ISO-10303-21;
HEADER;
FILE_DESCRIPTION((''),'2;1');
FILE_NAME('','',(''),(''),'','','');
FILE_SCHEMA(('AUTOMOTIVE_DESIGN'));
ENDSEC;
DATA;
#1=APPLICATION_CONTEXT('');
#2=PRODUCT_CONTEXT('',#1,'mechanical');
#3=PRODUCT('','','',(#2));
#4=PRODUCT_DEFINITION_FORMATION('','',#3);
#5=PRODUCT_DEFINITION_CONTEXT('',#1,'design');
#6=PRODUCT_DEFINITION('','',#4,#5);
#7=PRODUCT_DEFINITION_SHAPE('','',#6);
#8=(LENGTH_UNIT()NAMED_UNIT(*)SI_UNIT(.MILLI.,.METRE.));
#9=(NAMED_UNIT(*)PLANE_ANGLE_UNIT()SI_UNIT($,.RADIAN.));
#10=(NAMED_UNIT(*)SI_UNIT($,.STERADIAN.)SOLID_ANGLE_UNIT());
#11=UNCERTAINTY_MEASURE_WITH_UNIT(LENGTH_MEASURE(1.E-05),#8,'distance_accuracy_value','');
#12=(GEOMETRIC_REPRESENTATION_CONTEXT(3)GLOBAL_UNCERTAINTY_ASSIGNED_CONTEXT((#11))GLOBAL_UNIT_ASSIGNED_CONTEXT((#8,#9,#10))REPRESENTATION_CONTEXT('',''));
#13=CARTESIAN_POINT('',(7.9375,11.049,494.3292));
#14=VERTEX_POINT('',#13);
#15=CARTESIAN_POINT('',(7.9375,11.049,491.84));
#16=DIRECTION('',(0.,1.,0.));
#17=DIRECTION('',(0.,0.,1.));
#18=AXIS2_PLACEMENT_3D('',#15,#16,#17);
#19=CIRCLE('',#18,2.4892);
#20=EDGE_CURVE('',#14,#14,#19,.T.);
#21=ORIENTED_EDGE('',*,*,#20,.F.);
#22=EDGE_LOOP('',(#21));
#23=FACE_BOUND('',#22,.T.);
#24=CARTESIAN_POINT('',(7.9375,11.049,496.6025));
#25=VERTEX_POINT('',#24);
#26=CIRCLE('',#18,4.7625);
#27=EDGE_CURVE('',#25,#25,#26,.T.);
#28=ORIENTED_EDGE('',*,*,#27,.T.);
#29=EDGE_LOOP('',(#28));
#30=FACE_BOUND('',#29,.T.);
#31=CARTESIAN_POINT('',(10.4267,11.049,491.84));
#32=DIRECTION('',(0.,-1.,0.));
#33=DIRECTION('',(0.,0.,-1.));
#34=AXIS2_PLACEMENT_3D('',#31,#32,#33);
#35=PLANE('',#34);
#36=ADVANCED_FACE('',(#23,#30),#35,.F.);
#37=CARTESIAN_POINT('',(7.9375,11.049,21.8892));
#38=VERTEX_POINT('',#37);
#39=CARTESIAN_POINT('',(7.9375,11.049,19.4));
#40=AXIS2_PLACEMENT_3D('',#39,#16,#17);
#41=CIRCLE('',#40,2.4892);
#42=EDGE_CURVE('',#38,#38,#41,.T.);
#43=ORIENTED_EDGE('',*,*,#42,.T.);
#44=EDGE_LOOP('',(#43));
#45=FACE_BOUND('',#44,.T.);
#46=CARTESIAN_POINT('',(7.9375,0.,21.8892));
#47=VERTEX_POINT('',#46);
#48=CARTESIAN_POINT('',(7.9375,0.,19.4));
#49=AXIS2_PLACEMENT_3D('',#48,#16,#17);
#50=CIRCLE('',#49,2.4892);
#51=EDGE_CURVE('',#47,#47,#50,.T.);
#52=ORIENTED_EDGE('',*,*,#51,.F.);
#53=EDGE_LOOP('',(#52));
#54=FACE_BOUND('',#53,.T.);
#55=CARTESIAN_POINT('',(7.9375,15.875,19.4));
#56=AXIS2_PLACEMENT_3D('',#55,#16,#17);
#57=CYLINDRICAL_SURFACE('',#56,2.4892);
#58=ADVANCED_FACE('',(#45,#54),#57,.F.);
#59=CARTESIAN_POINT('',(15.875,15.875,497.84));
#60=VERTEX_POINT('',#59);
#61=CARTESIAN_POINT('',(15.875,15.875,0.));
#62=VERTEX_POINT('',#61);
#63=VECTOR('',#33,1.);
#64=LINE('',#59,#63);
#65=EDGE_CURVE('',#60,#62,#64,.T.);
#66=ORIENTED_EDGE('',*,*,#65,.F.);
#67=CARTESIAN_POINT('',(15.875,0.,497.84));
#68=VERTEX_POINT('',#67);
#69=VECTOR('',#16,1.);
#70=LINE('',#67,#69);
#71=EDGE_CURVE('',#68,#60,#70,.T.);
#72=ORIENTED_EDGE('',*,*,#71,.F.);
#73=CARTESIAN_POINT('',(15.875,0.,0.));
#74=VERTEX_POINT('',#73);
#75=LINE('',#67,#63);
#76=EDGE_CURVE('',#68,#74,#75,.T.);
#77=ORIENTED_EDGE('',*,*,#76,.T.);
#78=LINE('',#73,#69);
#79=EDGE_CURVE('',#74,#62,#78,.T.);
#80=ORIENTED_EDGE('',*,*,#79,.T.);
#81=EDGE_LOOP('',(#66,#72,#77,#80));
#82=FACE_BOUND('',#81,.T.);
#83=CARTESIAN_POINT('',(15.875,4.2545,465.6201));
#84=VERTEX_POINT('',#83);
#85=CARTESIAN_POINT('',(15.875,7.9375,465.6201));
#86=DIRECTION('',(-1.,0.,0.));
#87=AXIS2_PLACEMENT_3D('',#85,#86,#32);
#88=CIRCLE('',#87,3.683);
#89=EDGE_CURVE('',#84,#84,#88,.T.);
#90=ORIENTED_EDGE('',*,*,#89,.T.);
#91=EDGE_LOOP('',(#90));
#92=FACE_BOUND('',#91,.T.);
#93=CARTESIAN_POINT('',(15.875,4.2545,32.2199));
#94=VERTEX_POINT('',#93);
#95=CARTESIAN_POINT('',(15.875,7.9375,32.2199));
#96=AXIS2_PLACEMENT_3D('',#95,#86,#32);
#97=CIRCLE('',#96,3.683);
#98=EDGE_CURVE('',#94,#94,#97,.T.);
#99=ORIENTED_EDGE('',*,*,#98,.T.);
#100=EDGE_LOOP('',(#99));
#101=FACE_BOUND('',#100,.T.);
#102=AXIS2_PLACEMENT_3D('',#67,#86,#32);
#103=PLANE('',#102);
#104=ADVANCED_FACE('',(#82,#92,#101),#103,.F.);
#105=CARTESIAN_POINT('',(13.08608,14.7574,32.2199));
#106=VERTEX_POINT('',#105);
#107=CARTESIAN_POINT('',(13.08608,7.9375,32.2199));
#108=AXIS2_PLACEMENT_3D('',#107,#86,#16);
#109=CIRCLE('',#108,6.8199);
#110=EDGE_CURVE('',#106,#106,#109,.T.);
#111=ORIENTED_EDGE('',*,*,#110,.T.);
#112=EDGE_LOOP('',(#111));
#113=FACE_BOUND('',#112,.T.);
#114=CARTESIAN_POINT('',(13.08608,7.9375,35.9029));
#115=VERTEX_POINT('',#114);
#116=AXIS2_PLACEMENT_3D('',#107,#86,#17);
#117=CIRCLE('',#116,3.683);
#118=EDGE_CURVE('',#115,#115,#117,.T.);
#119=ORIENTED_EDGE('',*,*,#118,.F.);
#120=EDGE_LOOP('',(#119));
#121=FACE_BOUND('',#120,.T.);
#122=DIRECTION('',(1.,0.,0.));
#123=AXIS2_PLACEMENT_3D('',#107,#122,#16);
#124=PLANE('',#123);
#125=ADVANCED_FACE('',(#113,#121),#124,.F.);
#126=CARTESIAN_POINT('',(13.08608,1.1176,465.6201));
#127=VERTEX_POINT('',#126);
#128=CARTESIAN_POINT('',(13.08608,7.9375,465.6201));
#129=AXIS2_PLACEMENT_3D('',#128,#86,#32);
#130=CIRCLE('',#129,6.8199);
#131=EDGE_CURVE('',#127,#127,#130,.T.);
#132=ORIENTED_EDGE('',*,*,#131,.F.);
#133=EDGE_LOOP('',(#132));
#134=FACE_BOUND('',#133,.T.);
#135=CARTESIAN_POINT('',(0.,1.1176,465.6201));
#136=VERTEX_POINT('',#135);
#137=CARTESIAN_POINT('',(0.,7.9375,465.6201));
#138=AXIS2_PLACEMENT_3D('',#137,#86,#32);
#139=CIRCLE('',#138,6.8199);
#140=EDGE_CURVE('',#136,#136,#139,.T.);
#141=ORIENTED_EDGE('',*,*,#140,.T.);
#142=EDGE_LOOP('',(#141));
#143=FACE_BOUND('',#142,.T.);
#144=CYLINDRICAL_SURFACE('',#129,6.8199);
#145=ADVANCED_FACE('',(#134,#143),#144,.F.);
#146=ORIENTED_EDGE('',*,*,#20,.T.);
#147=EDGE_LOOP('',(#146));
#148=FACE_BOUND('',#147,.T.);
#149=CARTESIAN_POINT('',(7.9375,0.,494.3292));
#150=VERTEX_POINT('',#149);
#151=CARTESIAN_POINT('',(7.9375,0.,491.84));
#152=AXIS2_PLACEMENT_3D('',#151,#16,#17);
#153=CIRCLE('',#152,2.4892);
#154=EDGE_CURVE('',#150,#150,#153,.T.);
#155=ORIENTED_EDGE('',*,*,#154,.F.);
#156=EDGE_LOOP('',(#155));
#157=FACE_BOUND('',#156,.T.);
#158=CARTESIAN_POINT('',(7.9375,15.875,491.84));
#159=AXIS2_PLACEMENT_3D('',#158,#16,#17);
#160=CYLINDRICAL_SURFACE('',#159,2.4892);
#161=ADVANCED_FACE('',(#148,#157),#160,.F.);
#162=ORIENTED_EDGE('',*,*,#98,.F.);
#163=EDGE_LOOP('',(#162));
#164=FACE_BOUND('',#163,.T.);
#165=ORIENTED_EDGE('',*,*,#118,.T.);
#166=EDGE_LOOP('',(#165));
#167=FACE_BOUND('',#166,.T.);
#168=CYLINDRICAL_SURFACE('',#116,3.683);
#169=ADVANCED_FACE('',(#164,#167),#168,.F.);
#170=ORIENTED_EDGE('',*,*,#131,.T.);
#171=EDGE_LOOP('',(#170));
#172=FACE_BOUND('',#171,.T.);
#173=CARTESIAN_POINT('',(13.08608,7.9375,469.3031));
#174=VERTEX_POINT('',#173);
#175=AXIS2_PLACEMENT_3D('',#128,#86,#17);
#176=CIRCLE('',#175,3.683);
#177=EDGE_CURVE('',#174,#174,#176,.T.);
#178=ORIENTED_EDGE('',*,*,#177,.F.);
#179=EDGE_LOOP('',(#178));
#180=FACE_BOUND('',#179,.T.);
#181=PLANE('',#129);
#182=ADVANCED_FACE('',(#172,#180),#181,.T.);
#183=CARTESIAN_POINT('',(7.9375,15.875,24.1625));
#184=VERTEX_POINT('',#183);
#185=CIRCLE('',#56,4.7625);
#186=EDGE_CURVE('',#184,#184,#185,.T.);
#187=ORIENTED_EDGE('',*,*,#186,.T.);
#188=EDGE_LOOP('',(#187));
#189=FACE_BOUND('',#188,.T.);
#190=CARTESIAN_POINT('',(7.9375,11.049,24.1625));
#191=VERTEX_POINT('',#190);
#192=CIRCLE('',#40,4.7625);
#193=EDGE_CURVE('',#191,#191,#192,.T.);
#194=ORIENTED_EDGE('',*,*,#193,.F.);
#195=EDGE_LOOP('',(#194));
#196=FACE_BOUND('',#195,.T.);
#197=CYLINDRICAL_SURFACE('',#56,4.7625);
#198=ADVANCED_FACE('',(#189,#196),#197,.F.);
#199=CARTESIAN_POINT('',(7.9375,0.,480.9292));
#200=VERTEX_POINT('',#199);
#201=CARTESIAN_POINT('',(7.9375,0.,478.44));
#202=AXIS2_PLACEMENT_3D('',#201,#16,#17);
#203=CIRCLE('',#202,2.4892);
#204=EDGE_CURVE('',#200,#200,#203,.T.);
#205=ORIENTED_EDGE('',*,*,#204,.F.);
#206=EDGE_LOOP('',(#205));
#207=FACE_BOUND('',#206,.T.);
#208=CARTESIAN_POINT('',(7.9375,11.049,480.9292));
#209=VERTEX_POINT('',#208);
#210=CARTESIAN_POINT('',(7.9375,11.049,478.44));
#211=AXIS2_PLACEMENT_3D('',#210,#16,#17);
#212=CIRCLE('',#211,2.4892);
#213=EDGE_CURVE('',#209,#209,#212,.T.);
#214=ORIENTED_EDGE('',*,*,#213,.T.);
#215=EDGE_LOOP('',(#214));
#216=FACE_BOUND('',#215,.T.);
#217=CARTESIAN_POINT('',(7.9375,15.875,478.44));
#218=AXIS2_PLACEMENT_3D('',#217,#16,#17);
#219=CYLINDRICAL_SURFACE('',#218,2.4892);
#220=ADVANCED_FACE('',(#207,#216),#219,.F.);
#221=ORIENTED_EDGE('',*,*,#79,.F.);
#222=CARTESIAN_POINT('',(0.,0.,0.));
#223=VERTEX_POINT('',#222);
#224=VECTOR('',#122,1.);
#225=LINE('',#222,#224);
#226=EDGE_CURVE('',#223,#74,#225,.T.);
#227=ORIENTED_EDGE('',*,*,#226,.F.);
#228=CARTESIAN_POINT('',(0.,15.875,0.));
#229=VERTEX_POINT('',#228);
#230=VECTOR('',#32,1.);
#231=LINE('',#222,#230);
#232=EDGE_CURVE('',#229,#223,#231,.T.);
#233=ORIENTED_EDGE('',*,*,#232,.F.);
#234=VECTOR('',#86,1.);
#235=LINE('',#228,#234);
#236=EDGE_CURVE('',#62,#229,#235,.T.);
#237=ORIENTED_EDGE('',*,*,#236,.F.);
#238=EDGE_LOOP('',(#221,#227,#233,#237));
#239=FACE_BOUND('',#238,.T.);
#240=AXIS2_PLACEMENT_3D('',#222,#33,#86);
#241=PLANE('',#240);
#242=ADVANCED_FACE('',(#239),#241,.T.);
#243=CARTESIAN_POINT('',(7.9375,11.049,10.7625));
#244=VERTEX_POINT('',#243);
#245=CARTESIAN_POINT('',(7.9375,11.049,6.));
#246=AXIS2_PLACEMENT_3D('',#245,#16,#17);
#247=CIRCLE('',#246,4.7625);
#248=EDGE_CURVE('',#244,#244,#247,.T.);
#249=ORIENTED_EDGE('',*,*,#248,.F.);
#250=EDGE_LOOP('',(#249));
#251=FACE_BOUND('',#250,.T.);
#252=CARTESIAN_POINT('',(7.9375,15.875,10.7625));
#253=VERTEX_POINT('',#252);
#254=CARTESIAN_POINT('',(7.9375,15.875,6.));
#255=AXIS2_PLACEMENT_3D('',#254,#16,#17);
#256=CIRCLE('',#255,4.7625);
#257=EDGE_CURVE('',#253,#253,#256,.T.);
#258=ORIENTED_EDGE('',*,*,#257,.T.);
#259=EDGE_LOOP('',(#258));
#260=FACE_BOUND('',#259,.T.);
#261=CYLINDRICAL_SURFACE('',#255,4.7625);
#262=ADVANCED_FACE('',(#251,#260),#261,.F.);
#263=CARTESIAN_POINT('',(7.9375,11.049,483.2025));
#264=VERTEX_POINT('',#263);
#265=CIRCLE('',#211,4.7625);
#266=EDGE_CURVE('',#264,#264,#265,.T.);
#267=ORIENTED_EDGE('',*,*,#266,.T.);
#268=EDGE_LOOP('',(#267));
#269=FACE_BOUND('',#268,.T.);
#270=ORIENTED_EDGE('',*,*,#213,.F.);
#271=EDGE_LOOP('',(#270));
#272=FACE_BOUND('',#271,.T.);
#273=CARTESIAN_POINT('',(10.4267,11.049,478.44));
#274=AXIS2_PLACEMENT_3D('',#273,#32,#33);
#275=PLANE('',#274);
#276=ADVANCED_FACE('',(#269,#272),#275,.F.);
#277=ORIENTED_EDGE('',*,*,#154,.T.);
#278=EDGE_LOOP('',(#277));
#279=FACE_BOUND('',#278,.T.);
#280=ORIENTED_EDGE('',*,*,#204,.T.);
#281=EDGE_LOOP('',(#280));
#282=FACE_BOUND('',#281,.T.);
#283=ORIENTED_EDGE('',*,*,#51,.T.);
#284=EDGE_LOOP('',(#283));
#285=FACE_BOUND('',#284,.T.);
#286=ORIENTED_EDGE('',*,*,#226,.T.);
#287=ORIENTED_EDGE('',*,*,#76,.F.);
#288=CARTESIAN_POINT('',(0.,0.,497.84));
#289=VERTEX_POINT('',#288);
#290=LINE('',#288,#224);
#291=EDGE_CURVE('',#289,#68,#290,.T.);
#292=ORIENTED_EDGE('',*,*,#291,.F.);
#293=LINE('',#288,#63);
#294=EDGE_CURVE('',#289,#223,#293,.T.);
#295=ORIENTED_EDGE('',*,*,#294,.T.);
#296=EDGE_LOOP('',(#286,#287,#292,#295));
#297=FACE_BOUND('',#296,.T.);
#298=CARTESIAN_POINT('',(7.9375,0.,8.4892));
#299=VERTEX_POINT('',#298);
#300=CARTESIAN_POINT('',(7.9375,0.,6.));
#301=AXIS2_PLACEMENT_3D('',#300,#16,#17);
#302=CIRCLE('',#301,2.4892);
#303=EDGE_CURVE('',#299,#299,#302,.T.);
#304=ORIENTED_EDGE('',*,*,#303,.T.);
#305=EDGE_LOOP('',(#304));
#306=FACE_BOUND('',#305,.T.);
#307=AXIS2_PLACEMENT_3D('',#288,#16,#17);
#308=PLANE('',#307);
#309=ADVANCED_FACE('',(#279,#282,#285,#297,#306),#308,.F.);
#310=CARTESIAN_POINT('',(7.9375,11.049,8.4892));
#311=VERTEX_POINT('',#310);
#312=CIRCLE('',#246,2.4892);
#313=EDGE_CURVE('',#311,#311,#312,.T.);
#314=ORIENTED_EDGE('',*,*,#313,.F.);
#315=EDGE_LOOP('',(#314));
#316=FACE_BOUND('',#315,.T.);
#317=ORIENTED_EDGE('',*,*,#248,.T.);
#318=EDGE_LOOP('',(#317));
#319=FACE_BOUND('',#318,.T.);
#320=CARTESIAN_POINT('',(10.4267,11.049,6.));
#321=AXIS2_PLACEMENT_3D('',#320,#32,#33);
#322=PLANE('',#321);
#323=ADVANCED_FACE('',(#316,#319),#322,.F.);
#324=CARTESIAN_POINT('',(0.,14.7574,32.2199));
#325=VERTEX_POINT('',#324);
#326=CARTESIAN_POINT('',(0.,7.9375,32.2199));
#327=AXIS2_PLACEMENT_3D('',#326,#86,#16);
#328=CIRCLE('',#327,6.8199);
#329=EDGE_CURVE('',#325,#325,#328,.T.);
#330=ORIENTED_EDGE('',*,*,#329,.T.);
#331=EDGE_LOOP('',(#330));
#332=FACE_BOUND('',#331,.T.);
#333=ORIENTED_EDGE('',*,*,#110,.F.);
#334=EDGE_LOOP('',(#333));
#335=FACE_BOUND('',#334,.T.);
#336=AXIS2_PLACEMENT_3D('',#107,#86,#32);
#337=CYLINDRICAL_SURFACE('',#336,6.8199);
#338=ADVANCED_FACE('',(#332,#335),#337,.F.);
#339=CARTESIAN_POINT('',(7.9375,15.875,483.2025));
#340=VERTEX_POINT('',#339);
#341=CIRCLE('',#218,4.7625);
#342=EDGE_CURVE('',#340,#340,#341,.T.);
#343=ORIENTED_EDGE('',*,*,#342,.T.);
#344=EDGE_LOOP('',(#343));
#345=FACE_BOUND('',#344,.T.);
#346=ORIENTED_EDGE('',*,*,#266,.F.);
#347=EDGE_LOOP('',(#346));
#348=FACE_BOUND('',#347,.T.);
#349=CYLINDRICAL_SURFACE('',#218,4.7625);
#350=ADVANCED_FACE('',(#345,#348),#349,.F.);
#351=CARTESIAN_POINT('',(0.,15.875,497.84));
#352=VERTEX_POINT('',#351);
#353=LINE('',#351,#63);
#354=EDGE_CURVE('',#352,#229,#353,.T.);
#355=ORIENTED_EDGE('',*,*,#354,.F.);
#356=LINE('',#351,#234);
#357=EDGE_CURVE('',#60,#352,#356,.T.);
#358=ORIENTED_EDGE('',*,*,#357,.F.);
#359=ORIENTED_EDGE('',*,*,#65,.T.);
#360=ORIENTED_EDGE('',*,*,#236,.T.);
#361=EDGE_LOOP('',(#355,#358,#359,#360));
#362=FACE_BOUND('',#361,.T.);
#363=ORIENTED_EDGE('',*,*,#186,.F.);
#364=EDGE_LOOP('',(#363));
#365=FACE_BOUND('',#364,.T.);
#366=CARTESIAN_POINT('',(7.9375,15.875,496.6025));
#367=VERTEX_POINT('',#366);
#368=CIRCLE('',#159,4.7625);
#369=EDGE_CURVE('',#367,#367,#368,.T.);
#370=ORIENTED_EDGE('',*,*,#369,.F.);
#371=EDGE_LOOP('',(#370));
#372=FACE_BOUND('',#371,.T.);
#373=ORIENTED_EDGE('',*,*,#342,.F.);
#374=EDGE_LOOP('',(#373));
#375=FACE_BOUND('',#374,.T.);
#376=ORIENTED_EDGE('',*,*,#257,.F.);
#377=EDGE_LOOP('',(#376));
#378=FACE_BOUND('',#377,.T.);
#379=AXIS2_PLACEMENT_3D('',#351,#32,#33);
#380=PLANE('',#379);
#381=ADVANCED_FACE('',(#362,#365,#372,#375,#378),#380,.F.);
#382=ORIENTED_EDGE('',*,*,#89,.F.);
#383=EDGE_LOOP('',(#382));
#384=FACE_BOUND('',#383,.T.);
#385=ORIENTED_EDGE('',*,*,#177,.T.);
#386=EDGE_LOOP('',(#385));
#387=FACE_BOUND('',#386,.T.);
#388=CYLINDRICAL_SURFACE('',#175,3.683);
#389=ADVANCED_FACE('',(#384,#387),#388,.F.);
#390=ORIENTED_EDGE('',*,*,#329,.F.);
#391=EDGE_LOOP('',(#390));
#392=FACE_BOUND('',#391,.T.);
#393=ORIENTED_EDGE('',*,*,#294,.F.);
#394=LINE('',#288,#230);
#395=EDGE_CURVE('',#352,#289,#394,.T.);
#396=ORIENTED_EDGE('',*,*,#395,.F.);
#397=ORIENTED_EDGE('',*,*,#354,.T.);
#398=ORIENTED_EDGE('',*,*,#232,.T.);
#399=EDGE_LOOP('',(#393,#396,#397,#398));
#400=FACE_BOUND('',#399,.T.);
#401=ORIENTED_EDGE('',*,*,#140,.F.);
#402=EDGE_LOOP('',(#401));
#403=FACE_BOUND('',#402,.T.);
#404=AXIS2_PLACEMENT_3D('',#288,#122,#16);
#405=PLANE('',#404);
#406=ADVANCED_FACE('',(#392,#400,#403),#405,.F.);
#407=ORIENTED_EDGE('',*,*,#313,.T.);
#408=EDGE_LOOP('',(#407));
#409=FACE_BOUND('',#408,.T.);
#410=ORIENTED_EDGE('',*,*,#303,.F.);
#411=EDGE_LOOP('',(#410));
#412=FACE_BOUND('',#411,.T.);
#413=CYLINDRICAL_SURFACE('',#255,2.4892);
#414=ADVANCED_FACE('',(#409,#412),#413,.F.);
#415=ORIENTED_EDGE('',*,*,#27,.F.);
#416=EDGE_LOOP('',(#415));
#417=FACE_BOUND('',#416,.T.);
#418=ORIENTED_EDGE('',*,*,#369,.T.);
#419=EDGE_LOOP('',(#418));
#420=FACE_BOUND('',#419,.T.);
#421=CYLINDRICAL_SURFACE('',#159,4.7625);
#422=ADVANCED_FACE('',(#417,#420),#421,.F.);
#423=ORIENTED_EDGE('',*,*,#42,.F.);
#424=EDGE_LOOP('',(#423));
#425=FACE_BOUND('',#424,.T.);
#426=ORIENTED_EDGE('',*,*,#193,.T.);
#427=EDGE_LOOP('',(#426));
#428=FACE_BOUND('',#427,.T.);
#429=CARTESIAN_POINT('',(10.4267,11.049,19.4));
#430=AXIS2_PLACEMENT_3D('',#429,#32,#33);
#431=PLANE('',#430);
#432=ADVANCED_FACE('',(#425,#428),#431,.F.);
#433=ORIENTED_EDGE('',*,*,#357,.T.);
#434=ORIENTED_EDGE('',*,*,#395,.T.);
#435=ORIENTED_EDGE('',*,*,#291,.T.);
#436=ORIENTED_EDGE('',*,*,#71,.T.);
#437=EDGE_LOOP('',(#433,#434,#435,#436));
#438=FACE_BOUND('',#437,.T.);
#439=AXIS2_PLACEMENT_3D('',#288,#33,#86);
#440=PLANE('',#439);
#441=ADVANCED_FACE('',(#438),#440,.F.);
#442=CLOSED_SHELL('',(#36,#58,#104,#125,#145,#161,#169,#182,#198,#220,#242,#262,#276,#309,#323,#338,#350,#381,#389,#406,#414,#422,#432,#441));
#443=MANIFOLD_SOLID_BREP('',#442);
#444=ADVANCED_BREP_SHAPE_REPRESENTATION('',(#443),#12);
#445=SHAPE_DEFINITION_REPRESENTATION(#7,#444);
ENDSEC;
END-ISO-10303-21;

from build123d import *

# Parameters (mm, degrees)
SKETCH1_W                                       = 15.875
SKETCH1_H                                       = 15.875
BOSS_EXTRUDE1_DEPTH                             = 497.84
SKETCH8_R                                       = 6.8199
CUT_EXTRUDE1_DEPTH                              = 13.08608
L_0_29_DIAMETER_HOLE1_D                         = 7.366
L_0_29_DIAMETER_HOLE1_DEPTH                     = 50.8
L_0_29_DIAMETER_HOLE1_TIP                       = 2.21296966
CBORE_FOR_10_SOCKET_HEAD_CAP_SCREW1_D           = 4.9784
CBORE_FOR_10_SOCKET_HEAD_CAP_SCREW1_DEPTH       = 25.4
CBORE_FOR_10_SOCKET_HEAD_CAP_SCREW1_CBORE_D     = 9.525
CBORE_FOR_10_SOCKET_HEAD_CAP_SCREW1_CBORE_DEPTH = 4.826
CBORE_FOR_10_SOCKET_HEAD_CAP_SCREW1_TIP         = 1.495662253
CBORE_FOR_10_SOCKET_HEAD_CAP_SCREW2_D           = 4.9784
CBORE_FOR_10_SOCKET_HEAD_CAP_SCREW2_DEPTH       = 25.4
CBORE_FOR_10_SOCKET_HEAD_CAP_SCREW2_CBORE_D     = 9.525
CBORE_FOR_10_SOCKET_HEAD_CAP_SCREW2_CBORE_DEPTH = 4.826
CBORE_FOR_10_SOCKET_HEAD_CAP_SCREW2_TIP         = 1.495662253


with BuildPart() as part:
    # Sketch1 → Boss-Extrude1 (new body)
    with BuildSketch(Plane.XY):
        with Locations((7.9375, 7.9375)):
            Rectangle(SKETCH1_W, SKETCH1_H)
    extrude(amount=BOSS_EXTRUDE1_DEPTH)

    # Sketch8 → Cut-Extrude1 (cut)
    with BuildSketch(Plane.ZY):
        with Locations((465.6201, 7.9375)):
            Circle(SKETCH8_R)
        with Locations((32.2199, 7.9375)):
            Circle(SKETCH8_R)
    extrude(amount=-CUT_EXTRUDE1_DEPTH, mode=Mode.SUBTRACT)

    # L (0.29) Diameter Hole1
    with Locations(Plane.ZY.offset(-13.08608)):
        with Locations((32.2199, 7.9375), (465.6201, 7.9375)):
            Hole(L_0_29_DIAMETER_HOLE1_D / 2, depth=L_0_29_DIAMETER_HOLE1_DEPTH)
            with Locations((0, 0, -(L_0_29_DIAMETER_HOLE1_DEPTH + L_0_29_DIAMETER_HOLE1_TIP / 2))):  # 118° drill point
                Cone(0, L_0_29_DIAMETER_HOLE1_D / 2, L_0_29_DIAMETER_HOLE1_TIP, mode=Mode.SUBTRACT)

    # CBORE for #10 Socket Head Cap Screw1
    with Locations(Plane(origin=(412.874136144, 15.875, -1707.973131805), x_dir=(1, 0, 0), z_dir=(0, 1, 0))):
        with Locations((-404.936636144, -2199.813131805), (-404.936636144, -2186.413131805), (-871.661636144, -2186.413131805), (-871.661636144, -2199.813131805)):
            CounterBoreHole(CBORE_FOR_10_SOCKET_HEAD_CAP_SCREW1_D / 2, CBORE_FOR_10_SOCKET_HEAD_CAP_SCREW1_CBORE_D / 2, CBORE_FOR_10_SOCKET_HEAD_CAP_SCREW1_CBORE_DEPTH, depth=CBORE_FOR_10_SOCKET_HEAD_CAP_SCREW1_DEPTH)
            with Locations((0, 0, -(CBORE_FOR_10_SOCKET_HEAD_CAP_SCREW1_DEPTH + CBORE_FOR_10_SOCKET_HEAD_CAP_SCREW1_TIP / 2))):  # 118° drill point
                Cone(0, CBORE_FOR_10_SOCKET_HEAD_CAP_SCREW1_D / 2, CBORE_FOR_10_SOCKET_HEAD_CAP_SCREW1_TIP, mode=Mode.SUBTRACT)

    # CBORE for #10 Socket Head Cap Screw2
    with Locations(Plane(origin=(412.874136144, 15.875, -1707.973131805), x_dir=(1, 0, 0), z_dir=(0, 1, 0))):
        with Locations((-404.936636144, -1713.973131805), (-404.936636144, -1727.373131805), (-871.661636144, -1713.973131805), (-871.661636144, -1727.373131805)):
            CounterBoreHole(CBORE_FOR_10_SOCKET_HEAD_CAP_SCREW2_D / 2, CBORE_FOR_10_SOCKET_HEAD_CAP_SCREW2_CBORE_D / 2, CBORE_FOR_10_SOCKET_HEAD_CAP_SCREW2_CBORE_DEPTH, depth=CBORE_FOR_10_SOCKET_HEAD_CAP_SCREW2_DEPTH)
            with Locations((0, 0, -(CBORE_FOR_10_SOCKET_HEAD_CAP_SCREW2_DEPTH + CBORE_FOR_10_SOCKET_HEAD_CAP_SCREW2_TIP / 2))):  # 118° drill point
                Cone(0, CBORE_FOR_10_SOCKET_HEAD_CAP_SCREW2_D / 2, CBORE_FOR_10_SOCKET_HEAD_CAP_SCREW2_TIP, mode=Mode.SUBTRACT)


solid = part.part
